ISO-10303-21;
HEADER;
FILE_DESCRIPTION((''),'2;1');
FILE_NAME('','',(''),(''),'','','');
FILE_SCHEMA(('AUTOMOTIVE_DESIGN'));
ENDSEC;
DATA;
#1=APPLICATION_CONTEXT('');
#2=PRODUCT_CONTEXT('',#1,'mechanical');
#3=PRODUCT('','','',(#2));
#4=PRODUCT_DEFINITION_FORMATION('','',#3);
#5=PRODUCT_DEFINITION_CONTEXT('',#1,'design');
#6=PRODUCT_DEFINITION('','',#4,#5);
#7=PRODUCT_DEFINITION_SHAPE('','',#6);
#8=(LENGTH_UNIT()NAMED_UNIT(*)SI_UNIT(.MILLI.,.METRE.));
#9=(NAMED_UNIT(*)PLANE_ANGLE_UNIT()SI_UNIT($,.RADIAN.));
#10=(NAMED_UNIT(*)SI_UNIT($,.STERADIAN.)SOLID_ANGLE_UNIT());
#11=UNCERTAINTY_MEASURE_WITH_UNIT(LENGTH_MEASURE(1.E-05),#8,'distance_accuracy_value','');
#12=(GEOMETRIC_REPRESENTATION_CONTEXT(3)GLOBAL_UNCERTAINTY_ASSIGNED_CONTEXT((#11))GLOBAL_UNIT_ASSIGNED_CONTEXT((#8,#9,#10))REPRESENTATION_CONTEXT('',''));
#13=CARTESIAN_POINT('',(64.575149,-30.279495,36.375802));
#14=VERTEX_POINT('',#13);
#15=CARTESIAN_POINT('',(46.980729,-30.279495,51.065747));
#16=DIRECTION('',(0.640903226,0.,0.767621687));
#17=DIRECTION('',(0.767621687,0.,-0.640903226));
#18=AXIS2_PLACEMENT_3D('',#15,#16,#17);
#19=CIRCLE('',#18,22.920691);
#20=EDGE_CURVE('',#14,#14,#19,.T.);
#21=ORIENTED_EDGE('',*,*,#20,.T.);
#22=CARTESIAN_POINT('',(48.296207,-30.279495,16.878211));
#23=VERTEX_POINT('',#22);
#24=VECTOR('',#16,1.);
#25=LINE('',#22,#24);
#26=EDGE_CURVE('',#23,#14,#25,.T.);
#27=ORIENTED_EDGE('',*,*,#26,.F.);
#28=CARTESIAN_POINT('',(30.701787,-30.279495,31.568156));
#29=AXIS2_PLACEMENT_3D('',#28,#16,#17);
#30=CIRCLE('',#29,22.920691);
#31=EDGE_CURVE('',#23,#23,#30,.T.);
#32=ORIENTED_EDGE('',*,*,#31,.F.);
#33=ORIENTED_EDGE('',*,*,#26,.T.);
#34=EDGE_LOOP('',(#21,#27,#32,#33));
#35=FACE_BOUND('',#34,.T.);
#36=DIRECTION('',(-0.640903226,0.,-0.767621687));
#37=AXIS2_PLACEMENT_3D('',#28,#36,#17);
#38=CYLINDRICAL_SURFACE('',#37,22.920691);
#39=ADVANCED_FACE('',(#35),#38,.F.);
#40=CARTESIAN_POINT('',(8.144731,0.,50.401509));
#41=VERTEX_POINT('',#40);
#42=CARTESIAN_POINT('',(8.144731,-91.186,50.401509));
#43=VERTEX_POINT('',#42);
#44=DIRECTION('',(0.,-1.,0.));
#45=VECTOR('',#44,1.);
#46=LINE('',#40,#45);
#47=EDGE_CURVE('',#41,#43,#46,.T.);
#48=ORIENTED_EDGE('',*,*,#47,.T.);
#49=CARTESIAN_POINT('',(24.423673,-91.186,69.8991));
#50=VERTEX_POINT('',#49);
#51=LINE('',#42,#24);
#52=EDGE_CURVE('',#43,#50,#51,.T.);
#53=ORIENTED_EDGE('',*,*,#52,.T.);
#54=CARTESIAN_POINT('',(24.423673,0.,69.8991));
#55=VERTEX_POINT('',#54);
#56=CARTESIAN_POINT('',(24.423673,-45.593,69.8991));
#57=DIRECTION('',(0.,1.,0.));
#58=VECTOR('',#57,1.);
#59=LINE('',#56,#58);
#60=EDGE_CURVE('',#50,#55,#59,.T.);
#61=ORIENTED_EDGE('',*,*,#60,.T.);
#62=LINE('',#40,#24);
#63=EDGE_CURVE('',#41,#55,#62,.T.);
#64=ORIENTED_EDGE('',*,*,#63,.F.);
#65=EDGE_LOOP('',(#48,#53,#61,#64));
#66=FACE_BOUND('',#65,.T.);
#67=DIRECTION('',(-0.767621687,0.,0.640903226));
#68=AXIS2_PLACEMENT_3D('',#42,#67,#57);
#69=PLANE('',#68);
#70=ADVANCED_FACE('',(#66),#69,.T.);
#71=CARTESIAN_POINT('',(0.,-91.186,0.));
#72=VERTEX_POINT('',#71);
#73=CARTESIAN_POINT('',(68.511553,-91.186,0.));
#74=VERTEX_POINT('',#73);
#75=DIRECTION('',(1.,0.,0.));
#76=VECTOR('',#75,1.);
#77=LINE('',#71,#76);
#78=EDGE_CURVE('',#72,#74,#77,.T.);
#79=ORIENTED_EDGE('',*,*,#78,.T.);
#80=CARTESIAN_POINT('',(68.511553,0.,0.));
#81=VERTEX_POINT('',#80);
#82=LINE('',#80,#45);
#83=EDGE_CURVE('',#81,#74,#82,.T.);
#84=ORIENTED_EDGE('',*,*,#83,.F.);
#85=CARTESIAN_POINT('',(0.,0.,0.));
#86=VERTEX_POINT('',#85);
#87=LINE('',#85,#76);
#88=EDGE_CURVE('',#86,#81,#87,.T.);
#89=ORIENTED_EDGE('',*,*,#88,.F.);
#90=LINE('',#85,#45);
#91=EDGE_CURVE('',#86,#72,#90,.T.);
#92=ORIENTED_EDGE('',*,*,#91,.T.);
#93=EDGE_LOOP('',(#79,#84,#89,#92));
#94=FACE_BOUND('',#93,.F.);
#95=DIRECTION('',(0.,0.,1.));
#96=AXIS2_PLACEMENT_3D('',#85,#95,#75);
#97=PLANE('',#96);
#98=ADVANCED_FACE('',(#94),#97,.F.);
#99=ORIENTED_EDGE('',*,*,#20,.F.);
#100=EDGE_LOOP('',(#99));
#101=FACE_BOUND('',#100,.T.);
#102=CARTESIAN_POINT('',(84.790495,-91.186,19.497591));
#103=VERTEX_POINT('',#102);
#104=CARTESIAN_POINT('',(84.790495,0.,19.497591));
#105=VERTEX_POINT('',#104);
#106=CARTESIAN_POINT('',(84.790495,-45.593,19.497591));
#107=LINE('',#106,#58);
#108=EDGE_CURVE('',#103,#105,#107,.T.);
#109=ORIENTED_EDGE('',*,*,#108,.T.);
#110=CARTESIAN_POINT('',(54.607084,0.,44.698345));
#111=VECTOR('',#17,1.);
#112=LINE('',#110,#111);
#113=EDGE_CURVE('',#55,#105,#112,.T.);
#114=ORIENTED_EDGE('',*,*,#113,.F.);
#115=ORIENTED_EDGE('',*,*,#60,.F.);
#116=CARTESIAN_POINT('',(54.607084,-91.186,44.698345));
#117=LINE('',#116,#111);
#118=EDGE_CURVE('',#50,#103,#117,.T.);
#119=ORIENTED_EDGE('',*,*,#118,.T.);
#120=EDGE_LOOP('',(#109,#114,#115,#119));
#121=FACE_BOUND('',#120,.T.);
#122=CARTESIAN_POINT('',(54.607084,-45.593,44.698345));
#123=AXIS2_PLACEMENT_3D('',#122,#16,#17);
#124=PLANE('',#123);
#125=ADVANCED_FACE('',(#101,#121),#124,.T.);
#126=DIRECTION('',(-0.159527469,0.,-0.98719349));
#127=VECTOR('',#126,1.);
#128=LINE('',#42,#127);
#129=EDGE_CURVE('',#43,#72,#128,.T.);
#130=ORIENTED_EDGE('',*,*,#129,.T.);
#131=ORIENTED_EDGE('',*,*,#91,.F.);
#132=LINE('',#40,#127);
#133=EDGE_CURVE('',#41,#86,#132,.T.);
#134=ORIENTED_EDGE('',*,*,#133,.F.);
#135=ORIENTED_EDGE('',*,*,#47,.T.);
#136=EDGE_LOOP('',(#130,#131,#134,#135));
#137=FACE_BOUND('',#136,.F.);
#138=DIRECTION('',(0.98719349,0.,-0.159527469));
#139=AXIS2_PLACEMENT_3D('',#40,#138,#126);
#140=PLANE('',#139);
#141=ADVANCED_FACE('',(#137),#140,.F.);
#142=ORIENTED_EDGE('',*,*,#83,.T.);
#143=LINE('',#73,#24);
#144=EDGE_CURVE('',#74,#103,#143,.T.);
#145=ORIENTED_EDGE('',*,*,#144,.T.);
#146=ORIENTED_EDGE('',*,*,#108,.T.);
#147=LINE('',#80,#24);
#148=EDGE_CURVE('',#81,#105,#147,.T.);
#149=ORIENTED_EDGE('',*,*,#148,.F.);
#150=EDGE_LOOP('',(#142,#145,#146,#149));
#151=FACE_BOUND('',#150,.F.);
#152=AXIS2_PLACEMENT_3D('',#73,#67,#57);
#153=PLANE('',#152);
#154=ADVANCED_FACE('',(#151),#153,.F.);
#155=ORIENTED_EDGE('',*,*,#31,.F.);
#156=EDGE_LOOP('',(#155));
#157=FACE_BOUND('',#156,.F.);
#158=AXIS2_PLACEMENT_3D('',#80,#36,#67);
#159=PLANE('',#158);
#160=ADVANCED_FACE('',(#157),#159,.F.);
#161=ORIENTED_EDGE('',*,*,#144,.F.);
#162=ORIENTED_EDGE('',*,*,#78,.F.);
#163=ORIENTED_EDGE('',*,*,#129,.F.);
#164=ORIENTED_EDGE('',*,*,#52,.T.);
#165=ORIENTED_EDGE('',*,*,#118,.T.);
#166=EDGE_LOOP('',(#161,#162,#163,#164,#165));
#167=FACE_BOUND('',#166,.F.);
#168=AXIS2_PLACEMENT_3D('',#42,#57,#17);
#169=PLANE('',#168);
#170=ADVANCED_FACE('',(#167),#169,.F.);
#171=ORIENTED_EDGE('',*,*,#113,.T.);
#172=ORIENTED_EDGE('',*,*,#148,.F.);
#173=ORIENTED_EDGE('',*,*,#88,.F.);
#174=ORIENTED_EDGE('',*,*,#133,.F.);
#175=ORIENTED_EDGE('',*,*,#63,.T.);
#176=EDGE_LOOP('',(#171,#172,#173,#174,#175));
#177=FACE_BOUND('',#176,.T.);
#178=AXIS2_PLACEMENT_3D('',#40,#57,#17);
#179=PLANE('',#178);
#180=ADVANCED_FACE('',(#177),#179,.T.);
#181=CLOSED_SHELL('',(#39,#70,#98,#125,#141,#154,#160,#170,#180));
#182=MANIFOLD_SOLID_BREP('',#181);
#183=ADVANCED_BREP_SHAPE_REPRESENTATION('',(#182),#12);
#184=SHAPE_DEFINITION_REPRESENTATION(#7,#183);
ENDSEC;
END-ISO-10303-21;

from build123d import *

# Parameters (mm, degrees)
F1_DEPTH = 91.186
F2_W     = 78.6413716667
F2_H     = 91.186
F2_R     = 22.9206914227
F3_DEPTH = 25.4


with BuildPart() as f1:
    # F0 (on Front) → F1 (new body)
    with BuildSketch(Plane.XZ):
        Polygon((8.144730702, 50.4015088081), (0, 0), (68.5115531087, 0), align=None)
    extrude(amount=F1_DEPTH)

    # F2 (on face) → F3 (join)
    with BuildSketch(Plane(origin=(28.1415962699, 0, 33.7057120796), x_dir=(0.7676216873, 0, -0.6409032261), z_dir=(0.6409032261, 0, 0.7676216873))):
        with Locations((13.2702681603, -45.593)):
            Rectangle(F2_W, F2_H)
        with Locations((3.3352246974, -30.279494822)):
            Circle(F2_R, mode=Mode.SUBTRACT)
    extrude(amount=F3_DEPTH)


solid = f1.part
